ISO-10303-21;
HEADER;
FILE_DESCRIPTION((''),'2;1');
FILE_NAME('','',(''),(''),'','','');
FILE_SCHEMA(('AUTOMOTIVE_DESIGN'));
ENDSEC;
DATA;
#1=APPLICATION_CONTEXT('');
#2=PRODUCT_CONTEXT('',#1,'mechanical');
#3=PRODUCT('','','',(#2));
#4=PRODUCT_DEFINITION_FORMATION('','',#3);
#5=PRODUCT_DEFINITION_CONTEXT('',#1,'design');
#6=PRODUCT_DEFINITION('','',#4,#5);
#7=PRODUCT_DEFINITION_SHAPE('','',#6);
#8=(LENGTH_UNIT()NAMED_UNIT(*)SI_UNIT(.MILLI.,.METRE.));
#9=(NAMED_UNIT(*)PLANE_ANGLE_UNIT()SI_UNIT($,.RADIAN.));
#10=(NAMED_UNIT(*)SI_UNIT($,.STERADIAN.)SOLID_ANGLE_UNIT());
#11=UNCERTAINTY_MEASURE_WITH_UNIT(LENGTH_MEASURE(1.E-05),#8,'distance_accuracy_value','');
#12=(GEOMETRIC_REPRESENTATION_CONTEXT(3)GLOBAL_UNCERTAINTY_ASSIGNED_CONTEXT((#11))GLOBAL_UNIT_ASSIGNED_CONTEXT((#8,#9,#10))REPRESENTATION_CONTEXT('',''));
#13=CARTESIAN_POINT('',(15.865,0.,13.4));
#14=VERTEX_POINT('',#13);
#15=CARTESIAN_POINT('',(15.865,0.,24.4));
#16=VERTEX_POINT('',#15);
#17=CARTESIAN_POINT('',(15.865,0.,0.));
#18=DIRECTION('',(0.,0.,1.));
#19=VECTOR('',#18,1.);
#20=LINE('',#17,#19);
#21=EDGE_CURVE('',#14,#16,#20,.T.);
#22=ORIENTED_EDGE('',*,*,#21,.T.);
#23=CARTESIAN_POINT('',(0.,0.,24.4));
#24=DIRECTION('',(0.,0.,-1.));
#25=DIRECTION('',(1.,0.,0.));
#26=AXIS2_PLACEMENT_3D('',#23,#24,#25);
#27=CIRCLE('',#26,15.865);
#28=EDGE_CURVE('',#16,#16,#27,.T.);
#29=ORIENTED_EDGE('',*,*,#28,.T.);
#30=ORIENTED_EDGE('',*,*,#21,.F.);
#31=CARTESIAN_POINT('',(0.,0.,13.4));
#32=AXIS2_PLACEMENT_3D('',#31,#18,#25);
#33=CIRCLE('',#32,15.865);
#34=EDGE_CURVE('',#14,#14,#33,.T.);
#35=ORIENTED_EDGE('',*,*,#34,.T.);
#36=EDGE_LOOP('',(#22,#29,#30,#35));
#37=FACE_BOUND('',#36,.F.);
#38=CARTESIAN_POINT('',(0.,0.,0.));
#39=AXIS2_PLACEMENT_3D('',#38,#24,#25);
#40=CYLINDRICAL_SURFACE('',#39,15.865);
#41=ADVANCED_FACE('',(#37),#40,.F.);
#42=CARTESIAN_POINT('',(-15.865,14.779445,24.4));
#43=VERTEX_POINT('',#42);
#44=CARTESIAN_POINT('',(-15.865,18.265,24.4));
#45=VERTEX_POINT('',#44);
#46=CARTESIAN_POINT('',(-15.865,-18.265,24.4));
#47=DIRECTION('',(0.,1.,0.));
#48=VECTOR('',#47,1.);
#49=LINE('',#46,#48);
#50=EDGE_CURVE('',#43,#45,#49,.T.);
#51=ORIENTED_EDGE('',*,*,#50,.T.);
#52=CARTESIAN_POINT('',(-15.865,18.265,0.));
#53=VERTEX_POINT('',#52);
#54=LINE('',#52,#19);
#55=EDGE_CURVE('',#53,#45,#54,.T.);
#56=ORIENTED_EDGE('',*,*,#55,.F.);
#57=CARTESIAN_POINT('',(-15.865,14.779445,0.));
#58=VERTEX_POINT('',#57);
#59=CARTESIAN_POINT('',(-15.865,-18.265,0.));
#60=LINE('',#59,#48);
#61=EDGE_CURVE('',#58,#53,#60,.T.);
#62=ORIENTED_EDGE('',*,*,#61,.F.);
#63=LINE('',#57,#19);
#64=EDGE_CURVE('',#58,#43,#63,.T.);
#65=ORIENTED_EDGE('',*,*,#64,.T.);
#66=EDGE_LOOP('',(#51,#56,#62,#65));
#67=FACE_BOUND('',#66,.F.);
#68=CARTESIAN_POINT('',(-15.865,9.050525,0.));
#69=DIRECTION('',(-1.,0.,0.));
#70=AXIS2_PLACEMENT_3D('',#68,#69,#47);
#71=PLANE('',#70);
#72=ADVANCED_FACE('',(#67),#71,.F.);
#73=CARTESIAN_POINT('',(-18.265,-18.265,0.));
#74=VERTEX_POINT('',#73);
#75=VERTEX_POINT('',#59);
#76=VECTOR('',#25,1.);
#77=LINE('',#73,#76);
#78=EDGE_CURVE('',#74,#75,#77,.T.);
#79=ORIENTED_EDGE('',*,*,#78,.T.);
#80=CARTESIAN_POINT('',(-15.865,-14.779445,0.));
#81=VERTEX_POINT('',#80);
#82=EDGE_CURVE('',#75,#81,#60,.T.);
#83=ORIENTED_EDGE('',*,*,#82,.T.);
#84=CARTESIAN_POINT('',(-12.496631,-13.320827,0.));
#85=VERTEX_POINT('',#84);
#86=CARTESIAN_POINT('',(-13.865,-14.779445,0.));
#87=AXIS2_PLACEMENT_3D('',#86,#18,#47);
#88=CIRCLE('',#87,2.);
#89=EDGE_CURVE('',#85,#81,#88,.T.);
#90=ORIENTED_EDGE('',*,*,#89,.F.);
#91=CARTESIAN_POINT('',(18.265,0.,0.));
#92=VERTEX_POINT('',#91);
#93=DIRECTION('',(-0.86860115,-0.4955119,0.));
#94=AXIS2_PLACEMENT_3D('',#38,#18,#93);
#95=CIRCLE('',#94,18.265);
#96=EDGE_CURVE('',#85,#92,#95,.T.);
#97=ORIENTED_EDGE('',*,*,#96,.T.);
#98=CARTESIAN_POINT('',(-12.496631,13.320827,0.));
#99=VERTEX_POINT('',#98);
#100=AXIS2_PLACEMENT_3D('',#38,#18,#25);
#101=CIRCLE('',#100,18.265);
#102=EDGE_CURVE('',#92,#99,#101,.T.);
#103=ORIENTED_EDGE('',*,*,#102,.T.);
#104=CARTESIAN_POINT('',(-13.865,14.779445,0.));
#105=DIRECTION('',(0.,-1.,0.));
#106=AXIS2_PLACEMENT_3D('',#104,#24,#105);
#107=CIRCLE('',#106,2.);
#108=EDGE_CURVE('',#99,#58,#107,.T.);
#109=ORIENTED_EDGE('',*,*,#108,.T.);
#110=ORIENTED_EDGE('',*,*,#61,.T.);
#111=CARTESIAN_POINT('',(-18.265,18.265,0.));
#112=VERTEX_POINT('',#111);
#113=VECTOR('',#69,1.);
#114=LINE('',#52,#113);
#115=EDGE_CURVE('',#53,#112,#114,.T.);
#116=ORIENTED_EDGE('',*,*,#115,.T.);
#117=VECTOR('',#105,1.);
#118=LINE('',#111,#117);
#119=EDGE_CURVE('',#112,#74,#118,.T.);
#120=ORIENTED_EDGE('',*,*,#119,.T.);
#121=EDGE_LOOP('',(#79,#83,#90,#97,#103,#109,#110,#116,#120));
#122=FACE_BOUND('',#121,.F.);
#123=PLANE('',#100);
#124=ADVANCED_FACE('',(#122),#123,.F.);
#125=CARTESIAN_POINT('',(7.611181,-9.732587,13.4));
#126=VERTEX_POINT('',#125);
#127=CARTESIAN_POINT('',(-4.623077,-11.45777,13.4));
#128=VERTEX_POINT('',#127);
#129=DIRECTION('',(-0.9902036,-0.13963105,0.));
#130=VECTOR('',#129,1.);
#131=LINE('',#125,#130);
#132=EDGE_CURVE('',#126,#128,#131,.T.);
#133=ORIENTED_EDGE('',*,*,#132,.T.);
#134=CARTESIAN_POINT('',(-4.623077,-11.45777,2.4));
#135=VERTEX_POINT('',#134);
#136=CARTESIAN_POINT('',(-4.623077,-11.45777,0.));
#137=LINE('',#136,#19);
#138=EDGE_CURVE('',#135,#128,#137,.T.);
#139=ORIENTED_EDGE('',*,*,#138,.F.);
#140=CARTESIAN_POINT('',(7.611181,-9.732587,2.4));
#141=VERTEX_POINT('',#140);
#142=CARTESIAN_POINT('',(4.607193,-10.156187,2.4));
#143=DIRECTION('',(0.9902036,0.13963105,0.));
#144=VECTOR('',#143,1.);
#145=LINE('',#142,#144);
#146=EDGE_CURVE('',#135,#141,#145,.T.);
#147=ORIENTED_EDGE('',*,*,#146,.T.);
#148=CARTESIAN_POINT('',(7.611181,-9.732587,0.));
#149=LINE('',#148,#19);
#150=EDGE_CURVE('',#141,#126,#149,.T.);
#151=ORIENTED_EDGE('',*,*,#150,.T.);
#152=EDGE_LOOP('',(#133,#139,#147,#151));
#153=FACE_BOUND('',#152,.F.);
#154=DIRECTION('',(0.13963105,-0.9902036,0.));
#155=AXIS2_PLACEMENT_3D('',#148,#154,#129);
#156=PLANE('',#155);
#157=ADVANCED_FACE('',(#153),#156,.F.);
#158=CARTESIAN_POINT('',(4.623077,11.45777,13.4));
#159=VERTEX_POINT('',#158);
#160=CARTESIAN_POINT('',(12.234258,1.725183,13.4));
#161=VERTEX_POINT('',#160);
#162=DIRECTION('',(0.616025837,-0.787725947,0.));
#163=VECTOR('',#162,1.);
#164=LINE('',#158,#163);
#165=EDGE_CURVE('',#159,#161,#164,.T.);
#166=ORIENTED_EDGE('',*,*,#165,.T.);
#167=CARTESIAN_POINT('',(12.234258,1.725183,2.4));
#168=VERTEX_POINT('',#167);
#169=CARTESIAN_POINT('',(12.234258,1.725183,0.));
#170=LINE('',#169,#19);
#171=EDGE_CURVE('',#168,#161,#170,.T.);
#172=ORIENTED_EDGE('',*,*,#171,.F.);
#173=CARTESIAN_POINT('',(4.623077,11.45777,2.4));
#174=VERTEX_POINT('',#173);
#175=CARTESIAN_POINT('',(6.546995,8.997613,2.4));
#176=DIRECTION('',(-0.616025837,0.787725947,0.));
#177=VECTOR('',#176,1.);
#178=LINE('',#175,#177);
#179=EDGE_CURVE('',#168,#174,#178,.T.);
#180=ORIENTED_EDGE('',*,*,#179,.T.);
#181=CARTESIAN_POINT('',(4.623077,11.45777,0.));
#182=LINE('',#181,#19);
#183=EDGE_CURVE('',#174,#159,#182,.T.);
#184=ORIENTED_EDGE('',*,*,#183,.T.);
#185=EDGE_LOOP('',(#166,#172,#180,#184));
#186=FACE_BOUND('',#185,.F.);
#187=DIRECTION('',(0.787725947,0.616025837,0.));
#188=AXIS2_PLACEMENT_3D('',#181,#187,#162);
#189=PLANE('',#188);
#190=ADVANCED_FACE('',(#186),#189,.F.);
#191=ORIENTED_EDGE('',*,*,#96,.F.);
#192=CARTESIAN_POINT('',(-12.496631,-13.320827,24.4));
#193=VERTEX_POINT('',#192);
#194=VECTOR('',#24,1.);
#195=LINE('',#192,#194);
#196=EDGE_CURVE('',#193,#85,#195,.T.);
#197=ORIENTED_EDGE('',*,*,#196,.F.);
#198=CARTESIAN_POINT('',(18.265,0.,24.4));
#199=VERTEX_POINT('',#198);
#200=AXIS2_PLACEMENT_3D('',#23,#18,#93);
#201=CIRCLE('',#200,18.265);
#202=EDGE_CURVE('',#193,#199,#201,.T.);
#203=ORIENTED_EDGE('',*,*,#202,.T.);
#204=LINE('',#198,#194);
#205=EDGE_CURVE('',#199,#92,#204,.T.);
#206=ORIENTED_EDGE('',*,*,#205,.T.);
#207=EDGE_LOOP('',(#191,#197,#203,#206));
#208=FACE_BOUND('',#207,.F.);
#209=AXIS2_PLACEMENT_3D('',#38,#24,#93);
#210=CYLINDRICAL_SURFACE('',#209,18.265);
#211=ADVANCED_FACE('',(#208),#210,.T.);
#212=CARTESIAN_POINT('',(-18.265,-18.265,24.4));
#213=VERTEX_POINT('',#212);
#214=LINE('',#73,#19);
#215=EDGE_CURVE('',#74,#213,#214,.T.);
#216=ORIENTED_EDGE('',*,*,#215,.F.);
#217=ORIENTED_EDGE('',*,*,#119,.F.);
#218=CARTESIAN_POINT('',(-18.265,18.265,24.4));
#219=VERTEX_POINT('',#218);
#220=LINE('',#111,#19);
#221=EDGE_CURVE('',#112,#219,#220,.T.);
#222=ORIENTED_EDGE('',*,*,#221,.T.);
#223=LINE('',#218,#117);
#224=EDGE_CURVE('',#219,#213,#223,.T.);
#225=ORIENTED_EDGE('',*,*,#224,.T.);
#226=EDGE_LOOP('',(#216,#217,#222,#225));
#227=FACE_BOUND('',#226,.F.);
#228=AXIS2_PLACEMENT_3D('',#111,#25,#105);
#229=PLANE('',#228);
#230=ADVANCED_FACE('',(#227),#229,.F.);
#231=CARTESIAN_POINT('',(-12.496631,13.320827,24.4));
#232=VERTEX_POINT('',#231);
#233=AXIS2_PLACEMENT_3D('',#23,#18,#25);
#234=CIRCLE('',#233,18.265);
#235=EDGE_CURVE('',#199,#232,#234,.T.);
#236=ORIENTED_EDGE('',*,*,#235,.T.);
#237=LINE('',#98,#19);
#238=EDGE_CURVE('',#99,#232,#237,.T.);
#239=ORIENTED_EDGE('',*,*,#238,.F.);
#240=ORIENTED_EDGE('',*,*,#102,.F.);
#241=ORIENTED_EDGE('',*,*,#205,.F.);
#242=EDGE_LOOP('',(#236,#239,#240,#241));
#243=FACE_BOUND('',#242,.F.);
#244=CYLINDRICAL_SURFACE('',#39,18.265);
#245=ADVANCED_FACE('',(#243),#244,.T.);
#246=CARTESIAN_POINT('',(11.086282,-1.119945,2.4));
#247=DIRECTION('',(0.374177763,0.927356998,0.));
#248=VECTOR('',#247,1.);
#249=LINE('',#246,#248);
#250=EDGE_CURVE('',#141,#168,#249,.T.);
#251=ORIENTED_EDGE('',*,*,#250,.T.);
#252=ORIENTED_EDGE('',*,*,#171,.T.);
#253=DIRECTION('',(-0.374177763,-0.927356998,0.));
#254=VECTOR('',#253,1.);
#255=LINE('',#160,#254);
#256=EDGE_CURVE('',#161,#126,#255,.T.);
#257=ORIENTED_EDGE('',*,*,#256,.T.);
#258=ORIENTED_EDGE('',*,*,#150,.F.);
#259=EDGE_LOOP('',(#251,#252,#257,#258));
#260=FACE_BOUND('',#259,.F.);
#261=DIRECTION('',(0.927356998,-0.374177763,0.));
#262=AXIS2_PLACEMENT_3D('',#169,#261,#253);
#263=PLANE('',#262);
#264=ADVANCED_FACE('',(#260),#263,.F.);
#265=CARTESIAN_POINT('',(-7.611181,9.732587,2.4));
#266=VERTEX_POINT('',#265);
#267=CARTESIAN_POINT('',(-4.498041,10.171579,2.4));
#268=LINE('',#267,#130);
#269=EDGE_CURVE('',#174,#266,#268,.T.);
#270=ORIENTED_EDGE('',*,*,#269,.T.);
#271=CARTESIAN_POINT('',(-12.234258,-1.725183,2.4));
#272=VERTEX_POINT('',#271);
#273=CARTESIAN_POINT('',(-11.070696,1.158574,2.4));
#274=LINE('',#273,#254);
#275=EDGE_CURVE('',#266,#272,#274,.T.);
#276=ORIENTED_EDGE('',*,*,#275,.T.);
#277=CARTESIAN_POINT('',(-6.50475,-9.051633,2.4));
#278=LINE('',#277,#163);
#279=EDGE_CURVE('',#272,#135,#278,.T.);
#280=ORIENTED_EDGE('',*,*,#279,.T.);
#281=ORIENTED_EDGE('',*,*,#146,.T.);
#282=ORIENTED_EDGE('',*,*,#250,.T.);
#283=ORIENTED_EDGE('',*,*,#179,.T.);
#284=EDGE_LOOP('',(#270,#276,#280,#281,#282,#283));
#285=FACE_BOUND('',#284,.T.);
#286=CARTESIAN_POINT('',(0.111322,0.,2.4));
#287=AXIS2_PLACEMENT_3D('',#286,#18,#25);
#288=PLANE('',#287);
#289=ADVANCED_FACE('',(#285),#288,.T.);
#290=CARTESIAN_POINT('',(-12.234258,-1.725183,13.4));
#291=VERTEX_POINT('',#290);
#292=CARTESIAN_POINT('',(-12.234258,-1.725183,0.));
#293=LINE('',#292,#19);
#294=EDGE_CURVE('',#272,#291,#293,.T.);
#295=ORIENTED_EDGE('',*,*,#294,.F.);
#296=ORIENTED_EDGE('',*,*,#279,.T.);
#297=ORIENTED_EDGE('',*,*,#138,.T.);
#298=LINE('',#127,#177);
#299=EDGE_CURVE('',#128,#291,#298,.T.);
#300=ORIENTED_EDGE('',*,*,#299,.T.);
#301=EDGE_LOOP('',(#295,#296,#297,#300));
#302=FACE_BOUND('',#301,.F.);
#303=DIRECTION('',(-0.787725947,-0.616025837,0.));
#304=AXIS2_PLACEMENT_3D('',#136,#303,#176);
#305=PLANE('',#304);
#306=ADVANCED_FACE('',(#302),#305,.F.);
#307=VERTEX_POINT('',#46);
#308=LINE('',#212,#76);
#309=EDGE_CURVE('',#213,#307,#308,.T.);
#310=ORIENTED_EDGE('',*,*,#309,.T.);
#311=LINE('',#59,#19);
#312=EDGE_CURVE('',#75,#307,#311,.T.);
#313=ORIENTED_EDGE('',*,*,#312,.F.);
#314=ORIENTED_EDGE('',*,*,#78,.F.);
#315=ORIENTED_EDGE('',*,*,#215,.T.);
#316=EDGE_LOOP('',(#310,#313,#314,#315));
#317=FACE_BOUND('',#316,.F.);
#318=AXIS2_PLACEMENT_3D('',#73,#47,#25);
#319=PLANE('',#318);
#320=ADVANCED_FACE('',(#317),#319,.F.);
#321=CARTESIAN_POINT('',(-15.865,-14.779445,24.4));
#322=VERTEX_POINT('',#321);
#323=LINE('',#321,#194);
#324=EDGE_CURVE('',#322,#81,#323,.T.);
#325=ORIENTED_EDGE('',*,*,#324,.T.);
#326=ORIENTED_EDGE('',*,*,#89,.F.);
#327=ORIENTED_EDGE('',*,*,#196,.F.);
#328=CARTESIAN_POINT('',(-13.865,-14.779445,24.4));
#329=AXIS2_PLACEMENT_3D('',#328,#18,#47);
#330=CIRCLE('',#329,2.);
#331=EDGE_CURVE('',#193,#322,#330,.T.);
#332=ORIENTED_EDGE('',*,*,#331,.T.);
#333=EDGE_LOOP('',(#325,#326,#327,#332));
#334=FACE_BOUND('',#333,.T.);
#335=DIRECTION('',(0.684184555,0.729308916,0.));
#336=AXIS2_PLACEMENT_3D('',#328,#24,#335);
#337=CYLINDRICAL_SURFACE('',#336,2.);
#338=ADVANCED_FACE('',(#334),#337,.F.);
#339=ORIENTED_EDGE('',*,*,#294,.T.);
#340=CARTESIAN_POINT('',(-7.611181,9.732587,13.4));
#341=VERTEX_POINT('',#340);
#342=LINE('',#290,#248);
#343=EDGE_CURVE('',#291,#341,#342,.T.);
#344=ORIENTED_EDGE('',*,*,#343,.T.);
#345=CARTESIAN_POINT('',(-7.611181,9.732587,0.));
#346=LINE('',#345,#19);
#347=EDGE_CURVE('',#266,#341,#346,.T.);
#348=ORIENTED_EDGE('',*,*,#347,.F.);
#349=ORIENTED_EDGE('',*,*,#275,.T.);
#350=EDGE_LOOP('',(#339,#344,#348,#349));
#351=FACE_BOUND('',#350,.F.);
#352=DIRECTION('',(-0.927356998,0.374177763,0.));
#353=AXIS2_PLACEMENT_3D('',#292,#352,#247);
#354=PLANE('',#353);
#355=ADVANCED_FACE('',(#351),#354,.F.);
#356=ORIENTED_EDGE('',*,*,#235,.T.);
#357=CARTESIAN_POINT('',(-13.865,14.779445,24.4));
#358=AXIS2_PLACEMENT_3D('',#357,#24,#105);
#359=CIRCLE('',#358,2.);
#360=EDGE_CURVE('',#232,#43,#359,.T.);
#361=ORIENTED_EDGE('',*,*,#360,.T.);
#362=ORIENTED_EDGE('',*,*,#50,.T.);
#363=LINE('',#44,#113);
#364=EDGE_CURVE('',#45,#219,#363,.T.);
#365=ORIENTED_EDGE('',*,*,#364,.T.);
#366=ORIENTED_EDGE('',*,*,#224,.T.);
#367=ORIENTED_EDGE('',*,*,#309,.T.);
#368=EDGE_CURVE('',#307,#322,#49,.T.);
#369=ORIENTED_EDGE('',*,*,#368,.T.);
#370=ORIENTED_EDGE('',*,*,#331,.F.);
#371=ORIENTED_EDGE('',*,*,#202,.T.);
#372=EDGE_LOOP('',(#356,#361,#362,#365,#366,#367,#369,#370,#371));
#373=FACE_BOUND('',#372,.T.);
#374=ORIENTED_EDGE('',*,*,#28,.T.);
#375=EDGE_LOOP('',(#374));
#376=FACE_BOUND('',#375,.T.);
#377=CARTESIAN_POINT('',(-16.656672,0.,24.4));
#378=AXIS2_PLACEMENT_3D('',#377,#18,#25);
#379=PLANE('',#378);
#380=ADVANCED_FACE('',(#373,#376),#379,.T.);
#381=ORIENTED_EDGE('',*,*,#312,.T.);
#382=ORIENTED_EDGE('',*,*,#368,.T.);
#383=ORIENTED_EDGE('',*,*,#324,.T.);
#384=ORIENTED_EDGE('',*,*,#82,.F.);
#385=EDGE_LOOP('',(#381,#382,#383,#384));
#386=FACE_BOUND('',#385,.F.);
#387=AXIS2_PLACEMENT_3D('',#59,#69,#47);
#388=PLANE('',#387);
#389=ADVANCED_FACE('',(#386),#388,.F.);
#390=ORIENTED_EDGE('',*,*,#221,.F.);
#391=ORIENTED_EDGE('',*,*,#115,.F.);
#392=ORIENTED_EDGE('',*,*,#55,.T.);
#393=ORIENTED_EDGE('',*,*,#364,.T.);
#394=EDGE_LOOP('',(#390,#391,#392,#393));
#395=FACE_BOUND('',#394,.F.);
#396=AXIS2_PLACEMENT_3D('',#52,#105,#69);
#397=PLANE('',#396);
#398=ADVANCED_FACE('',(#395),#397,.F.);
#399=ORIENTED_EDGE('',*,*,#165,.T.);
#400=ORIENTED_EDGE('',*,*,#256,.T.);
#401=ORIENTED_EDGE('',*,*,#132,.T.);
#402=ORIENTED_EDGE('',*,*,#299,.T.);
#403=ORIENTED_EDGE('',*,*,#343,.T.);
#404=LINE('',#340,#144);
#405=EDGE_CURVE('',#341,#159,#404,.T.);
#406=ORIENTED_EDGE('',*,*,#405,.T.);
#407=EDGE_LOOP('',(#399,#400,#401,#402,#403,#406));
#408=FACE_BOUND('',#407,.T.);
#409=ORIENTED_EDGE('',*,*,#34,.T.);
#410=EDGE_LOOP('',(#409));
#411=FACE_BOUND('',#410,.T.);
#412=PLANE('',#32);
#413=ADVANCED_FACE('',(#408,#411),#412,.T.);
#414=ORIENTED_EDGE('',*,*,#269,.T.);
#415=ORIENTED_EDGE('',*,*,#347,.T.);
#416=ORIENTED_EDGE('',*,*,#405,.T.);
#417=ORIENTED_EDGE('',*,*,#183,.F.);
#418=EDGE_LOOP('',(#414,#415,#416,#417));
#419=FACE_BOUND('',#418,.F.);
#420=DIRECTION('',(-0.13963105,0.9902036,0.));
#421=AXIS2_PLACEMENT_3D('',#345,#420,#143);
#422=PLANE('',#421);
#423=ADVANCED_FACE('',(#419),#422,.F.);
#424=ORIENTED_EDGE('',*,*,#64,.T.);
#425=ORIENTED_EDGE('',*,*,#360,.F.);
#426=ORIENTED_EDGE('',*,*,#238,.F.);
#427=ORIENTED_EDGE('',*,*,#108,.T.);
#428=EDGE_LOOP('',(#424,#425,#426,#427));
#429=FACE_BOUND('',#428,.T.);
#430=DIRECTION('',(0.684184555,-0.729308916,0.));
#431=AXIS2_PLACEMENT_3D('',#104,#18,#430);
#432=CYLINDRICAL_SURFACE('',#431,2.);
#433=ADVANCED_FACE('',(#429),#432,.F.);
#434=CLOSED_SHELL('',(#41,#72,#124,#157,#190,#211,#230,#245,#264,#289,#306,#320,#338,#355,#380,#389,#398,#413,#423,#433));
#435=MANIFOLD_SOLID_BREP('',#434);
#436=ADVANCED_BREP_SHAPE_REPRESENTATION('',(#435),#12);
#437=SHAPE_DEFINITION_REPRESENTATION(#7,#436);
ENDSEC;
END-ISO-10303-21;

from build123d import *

# Parameters (mm, degrees)
F3_DEPTH = 24.4
F4_DEPTH = 2.4
F5_DEPTH = 13.4
F6_R     = 2


with BuildPart() as f3:
    # F2 (on Top) → F3 (new body)
    with BuildSketch(Plane.XY):
        with BuildLine():
            Line((-15.865, -9.0505248467), (-15.865, 0))
            Line((-15.865, 0), (-15.865, 9.0505248467))
            ThreePointArc((-15.865, 9.0505248467), (-17.6548074189, 4.68166637), (-18.265, 0))
            ThreePointArc((-18.265, 0), (-17.6548074189, -4.68166637), (-15.865, -9.0505248467))
        make_face()
        with BuildLine():
            ThreePointArc((-18.265, 0), (-17.6548074189, 4.68166637), (-15.865, 9.0505248467))
            Line((-15.865, 9.0505248467), (-15.865, 18.265))
            Line((-15.865, 18.265), (-18.265, 18.265))
            Line((-18.265, 18.265), (-18.265, 0))
        make_face()
        with BuildLine():
            Line((-15.865, -18.265), (-15.865, -9.0505248467))
            ThreePointArc((-15.865, -9.0505248467), (-17.6548074189, -4.68166637), (-18.265, 0))
            Line((-18.265, 0), (-18.265, -18.265))
            Line((-18.265, -18.265), (-15.865, -18.265))
        make_face()
        with BuildLine():
            Line((-15.865, 9.0505248467), (-15.865, 0))
            Line((-15.865, 0), (-15.865, -9.0505248467))
            ThreePointArc((-15.865, -9.0505248467), (4.68166637, -17.6548074189), (18.265, 0))
            ThreePointArc((18.265, 0), (4.68166637, 17.6548074189), (-15.865, 9.0505248467))
        make_face()
        with BuildLine():
            ThreePointArc((-15.865, 0), (0, 15.865), (15.865, 0))
            ThreePointArc((15.865, 0), (0, -15.865), (-15.865, 0))
        make_face(mode=Mode.SUBTRACT)
    extrude(amount=F3_DEPTH)

    # F2 (on Top) → F4 (join)
    with BuildSketch(Plane.XY):
        with BuildLine():
            Line((-15.865, 9.0505248467), (-15.865, 0))
            Line((-15.865, 0), (-15.865, -9.0505248467))
            ThreePointArc((-15.865, -9.0505248467), (4.68166637, -17.6548074189), (18.265, 0))
            ThreePointArc((18.265, 0), (4.68166637, 17.6548074189), (-15.865, 9.0505248467))
        make_face()
        with BuildLine():
            ThreePointArc((-15.865, 0), (0, 15.865), (15.865, 0))
            ThreePointArc((15.865, 0), (0, -15.865), (-15.865, 0))
        make_face(mode=Mode.SUBTRACT)
        with BuildLine():
            ThreePointArc((-15.865, 0), (0, -15.865), (15.865, 0))
            ThreePointArc((15.865, 0), (0, 15.865), (-15.865, 0))
        make_face()
        Polygon((-7.6111814104, 9.7325870595), (4.6230769329, 11.457769984), (12.2342583433, 1.7251829245), (7.6111814104, -9.7325870595), (-4.6230769329, -11.457769984), (-12.2342583433, -1.7251829245), align=None, mode=Mode.SUBTRACT)
        Polygon((12.2342583433, 1.7251829245), (4.6230769329, 11.457769984), (-7.6111814104, 9.7325870595), (-12.2342583433, -1.7251829245), (-4.6230769329, -11.457769984), (7.6111814104, -9.7325870595), align=None)
    extrude(amount=F4_DEPTH)

    # F2 (on Top) → F5 (join)
    with BuildSketch(Plane.XY):
        with BuildLine():
            ThreePointArc((-15.865, 0), (0, -15.865), (15.865, 0))
            ThreePointArc((15.865, 0), (0, 15.865), (-15.865, 0))
        make_face()
        Polygon((-7.6111814104, 9.7325870595), (4.6230769329, 11.457769984), (12.2342583433, 1.7251829245), (7.6111814104, -9.7325870595), (-4.6230769329, -11.457769984), (-12.2342583433, -1.7251829245), align=None, mode=Mode.SUBTRACT)
    extrude(amount=F5_DEPTH)

    # F6
    f6_edges = [f3.edges().sort_by_distance(p)[0] for p in [
        (-15.865, -9.050525, 12.2),
        (-15.865, 9.050525, 12.2),
    ]]
    fillet(f6_edges, radius=F6_R)


solid = f3.part
